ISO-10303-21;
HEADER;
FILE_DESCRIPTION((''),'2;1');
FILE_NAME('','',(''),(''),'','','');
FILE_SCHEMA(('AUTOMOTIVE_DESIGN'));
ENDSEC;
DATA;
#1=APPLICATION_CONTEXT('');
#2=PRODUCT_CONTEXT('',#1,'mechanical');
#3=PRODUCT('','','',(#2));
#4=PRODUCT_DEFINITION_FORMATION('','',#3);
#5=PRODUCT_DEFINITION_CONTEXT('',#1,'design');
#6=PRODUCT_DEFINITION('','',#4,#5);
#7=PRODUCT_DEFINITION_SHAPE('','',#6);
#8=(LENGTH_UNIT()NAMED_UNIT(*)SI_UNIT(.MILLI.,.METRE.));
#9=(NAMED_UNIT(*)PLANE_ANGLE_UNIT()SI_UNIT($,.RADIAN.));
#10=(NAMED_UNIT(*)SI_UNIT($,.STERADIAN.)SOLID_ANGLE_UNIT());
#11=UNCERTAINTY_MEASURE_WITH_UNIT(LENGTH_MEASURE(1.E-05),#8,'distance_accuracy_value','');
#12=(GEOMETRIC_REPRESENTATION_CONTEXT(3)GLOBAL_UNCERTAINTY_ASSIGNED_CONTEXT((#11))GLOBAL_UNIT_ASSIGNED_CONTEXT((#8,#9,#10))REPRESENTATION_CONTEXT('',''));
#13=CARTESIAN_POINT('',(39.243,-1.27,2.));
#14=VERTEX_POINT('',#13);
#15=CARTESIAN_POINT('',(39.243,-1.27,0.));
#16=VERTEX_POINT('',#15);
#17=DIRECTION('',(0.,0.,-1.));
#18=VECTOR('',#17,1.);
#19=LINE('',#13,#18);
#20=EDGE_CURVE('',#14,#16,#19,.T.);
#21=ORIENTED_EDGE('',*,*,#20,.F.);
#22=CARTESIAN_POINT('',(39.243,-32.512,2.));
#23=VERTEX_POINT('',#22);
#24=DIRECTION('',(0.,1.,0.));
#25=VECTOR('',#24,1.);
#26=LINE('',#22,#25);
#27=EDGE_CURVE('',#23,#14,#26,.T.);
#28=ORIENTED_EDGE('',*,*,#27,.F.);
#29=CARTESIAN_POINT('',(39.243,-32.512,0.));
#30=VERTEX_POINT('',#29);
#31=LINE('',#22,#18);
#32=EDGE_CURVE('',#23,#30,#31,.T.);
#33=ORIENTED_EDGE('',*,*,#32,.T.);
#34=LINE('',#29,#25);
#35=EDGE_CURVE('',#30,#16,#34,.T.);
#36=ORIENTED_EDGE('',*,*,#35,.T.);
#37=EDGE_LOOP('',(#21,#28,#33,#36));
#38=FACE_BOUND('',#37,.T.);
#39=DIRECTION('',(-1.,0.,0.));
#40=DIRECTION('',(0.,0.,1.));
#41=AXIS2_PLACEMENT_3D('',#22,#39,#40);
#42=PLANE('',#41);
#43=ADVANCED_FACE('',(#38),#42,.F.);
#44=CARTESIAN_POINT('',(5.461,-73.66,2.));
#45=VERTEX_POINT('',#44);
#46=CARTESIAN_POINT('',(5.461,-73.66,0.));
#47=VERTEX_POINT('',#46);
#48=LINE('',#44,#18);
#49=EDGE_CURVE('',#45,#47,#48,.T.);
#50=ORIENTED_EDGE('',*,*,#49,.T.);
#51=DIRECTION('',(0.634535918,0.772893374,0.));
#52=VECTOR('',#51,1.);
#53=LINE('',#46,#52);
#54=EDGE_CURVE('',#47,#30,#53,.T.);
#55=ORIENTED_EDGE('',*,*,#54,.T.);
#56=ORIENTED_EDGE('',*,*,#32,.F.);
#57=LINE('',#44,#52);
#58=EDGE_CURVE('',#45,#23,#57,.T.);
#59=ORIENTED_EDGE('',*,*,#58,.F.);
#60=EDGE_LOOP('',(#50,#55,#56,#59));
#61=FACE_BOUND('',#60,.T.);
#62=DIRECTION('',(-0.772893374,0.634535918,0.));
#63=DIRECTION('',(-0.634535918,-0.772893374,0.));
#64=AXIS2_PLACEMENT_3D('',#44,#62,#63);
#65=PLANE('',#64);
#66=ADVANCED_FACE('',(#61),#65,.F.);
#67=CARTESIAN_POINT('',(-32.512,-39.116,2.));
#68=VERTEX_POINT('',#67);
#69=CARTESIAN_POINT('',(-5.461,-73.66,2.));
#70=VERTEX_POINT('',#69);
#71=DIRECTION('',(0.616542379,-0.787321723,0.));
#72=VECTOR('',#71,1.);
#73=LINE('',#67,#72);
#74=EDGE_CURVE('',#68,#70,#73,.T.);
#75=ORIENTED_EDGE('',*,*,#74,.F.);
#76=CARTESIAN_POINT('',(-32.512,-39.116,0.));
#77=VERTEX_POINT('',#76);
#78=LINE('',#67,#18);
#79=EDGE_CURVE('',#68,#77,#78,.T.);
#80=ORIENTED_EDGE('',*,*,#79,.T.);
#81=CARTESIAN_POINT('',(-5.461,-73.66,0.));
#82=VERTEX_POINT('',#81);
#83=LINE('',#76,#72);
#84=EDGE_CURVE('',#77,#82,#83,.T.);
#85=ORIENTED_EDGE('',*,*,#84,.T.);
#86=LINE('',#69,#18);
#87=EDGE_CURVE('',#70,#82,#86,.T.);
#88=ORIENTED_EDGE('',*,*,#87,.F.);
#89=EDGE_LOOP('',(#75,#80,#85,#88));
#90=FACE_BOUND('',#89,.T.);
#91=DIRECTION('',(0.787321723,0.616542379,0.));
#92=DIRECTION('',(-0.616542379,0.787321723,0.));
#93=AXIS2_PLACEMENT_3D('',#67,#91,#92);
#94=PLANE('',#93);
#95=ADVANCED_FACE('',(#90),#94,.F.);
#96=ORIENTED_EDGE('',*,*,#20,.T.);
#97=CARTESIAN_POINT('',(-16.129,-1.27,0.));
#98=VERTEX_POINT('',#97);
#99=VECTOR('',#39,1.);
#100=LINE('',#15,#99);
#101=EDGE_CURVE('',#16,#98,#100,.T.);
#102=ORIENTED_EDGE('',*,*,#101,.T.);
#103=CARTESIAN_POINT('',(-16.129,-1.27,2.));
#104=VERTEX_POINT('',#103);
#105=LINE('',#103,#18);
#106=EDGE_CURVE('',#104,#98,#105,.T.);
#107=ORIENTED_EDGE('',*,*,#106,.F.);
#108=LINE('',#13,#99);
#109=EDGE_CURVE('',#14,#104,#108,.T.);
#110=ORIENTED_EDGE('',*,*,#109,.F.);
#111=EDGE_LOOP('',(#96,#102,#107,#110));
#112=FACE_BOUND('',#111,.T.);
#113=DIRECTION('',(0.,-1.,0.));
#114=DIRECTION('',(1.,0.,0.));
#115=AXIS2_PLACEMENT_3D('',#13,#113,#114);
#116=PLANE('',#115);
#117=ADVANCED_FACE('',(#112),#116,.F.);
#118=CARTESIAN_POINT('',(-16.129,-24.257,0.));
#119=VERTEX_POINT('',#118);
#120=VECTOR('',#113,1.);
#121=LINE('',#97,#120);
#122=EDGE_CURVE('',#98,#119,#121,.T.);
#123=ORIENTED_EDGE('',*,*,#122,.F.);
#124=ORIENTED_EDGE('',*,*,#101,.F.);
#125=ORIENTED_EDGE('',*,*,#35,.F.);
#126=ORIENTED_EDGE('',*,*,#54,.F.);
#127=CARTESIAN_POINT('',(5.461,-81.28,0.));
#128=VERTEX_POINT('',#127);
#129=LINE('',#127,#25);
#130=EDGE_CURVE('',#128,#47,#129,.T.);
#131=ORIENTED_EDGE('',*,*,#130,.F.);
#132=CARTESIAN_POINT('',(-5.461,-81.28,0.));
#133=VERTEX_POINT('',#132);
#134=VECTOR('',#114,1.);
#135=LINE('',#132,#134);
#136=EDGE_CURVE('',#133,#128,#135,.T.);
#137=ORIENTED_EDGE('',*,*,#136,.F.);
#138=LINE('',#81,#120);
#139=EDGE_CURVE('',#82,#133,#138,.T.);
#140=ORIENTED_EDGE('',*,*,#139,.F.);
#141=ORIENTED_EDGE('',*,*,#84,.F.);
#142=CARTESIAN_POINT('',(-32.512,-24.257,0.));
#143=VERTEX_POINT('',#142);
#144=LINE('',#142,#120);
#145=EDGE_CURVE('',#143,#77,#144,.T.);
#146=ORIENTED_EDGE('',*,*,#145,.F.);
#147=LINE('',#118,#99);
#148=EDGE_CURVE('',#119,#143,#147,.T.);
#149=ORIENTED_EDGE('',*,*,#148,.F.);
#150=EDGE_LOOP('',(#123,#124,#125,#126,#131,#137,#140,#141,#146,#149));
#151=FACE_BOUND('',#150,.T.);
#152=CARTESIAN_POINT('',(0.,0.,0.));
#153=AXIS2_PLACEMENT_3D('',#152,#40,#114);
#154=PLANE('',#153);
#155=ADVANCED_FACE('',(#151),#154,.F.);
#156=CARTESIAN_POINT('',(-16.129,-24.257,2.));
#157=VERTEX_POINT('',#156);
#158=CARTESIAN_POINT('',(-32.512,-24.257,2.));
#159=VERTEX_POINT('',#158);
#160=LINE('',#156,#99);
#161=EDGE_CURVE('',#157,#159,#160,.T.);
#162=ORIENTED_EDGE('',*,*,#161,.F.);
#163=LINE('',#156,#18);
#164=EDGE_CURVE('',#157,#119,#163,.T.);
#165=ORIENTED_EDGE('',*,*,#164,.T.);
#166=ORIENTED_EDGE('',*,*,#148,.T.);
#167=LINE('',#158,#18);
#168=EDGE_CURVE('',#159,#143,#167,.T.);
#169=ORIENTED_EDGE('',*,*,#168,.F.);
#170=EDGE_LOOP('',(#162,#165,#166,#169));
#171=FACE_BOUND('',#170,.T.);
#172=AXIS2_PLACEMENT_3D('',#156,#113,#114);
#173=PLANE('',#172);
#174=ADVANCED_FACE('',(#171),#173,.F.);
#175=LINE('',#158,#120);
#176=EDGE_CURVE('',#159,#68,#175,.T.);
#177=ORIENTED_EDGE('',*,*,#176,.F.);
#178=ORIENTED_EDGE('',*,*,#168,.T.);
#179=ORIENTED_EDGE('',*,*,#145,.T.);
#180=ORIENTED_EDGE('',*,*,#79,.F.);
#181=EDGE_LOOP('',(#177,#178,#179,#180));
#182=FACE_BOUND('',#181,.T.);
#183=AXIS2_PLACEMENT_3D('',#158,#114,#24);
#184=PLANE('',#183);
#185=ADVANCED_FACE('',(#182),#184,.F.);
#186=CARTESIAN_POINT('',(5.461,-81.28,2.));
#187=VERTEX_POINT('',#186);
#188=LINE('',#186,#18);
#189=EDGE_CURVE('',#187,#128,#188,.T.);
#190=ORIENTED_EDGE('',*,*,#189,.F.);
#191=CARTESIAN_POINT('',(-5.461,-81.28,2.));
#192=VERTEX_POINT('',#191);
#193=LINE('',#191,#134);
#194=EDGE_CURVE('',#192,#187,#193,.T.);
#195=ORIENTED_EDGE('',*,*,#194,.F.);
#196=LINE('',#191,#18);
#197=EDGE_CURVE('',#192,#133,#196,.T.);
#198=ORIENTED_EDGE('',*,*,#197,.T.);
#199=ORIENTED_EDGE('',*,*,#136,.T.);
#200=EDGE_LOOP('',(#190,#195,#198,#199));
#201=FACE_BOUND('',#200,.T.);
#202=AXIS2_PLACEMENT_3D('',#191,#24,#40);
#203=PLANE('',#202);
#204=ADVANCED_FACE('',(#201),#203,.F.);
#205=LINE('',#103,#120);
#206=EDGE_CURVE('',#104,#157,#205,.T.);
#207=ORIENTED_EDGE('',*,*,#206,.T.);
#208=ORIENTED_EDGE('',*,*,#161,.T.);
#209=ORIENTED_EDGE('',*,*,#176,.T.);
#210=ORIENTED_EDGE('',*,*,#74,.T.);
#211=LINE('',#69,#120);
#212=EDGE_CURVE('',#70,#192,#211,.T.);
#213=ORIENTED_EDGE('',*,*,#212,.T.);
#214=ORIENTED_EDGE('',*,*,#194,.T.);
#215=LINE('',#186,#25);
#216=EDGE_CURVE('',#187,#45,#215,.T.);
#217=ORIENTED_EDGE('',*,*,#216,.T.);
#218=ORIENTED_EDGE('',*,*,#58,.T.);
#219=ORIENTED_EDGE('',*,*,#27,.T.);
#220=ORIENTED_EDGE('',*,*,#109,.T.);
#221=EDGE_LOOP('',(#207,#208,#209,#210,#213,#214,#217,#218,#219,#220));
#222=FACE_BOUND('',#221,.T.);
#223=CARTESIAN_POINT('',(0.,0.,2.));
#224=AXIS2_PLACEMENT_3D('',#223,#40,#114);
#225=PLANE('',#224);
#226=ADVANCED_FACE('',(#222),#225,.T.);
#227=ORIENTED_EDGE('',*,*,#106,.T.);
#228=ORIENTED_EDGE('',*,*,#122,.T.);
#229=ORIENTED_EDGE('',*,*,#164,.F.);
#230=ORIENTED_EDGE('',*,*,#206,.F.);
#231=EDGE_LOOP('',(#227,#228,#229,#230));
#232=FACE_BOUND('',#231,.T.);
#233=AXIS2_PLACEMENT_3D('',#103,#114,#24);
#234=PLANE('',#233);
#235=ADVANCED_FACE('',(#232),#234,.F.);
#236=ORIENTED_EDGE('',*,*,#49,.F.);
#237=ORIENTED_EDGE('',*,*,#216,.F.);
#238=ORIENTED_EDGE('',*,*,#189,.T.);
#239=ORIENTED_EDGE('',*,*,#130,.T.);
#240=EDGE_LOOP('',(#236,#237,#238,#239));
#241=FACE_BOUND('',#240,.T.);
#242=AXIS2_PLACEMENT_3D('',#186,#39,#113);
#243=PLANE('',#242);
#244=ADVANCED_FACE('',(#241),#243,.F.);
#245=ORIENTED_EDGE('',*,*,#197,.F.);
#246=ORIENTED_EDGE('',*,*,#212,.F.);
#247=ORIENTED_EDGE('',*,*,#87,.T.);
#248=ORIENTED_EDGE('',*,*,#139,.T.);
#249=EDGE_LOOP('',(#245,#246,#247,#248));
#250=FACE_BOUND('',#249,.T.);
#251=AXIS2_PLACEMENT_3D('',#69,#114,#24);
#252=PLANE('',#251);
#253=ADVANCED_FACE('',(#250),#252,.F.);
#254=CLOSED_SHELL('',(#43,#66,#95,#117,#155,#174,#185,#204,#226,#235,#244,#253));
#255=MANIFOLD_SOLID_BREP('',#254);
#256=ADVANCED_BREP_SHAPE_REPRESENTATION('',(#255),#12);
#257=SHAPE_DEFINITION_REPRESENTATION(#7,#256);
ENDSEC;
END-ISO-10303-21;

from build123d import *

# Parameters (mm, degrees)
BOSS_EXTRU_1_DEPTH = 2


with BuildPart() as part:
    # Esquisse1 → Boss.-Extru.1 (new body)
    with BuildSketch(Plane.XY):
        Polygon((-16.129, -1.27), (-16.129, -24.257), (-32.512, -24.257), (-32.512, -39.116), (-5.461, -73.66), (-5.461, -81.28), (5.461, -81.28), (5.461, -73.66), (39.243, -32.512), (39.243, -1.27), align=None)
    extrude(amount=BOSS_EXTRU_1_DEPTH)


solid = part.part
